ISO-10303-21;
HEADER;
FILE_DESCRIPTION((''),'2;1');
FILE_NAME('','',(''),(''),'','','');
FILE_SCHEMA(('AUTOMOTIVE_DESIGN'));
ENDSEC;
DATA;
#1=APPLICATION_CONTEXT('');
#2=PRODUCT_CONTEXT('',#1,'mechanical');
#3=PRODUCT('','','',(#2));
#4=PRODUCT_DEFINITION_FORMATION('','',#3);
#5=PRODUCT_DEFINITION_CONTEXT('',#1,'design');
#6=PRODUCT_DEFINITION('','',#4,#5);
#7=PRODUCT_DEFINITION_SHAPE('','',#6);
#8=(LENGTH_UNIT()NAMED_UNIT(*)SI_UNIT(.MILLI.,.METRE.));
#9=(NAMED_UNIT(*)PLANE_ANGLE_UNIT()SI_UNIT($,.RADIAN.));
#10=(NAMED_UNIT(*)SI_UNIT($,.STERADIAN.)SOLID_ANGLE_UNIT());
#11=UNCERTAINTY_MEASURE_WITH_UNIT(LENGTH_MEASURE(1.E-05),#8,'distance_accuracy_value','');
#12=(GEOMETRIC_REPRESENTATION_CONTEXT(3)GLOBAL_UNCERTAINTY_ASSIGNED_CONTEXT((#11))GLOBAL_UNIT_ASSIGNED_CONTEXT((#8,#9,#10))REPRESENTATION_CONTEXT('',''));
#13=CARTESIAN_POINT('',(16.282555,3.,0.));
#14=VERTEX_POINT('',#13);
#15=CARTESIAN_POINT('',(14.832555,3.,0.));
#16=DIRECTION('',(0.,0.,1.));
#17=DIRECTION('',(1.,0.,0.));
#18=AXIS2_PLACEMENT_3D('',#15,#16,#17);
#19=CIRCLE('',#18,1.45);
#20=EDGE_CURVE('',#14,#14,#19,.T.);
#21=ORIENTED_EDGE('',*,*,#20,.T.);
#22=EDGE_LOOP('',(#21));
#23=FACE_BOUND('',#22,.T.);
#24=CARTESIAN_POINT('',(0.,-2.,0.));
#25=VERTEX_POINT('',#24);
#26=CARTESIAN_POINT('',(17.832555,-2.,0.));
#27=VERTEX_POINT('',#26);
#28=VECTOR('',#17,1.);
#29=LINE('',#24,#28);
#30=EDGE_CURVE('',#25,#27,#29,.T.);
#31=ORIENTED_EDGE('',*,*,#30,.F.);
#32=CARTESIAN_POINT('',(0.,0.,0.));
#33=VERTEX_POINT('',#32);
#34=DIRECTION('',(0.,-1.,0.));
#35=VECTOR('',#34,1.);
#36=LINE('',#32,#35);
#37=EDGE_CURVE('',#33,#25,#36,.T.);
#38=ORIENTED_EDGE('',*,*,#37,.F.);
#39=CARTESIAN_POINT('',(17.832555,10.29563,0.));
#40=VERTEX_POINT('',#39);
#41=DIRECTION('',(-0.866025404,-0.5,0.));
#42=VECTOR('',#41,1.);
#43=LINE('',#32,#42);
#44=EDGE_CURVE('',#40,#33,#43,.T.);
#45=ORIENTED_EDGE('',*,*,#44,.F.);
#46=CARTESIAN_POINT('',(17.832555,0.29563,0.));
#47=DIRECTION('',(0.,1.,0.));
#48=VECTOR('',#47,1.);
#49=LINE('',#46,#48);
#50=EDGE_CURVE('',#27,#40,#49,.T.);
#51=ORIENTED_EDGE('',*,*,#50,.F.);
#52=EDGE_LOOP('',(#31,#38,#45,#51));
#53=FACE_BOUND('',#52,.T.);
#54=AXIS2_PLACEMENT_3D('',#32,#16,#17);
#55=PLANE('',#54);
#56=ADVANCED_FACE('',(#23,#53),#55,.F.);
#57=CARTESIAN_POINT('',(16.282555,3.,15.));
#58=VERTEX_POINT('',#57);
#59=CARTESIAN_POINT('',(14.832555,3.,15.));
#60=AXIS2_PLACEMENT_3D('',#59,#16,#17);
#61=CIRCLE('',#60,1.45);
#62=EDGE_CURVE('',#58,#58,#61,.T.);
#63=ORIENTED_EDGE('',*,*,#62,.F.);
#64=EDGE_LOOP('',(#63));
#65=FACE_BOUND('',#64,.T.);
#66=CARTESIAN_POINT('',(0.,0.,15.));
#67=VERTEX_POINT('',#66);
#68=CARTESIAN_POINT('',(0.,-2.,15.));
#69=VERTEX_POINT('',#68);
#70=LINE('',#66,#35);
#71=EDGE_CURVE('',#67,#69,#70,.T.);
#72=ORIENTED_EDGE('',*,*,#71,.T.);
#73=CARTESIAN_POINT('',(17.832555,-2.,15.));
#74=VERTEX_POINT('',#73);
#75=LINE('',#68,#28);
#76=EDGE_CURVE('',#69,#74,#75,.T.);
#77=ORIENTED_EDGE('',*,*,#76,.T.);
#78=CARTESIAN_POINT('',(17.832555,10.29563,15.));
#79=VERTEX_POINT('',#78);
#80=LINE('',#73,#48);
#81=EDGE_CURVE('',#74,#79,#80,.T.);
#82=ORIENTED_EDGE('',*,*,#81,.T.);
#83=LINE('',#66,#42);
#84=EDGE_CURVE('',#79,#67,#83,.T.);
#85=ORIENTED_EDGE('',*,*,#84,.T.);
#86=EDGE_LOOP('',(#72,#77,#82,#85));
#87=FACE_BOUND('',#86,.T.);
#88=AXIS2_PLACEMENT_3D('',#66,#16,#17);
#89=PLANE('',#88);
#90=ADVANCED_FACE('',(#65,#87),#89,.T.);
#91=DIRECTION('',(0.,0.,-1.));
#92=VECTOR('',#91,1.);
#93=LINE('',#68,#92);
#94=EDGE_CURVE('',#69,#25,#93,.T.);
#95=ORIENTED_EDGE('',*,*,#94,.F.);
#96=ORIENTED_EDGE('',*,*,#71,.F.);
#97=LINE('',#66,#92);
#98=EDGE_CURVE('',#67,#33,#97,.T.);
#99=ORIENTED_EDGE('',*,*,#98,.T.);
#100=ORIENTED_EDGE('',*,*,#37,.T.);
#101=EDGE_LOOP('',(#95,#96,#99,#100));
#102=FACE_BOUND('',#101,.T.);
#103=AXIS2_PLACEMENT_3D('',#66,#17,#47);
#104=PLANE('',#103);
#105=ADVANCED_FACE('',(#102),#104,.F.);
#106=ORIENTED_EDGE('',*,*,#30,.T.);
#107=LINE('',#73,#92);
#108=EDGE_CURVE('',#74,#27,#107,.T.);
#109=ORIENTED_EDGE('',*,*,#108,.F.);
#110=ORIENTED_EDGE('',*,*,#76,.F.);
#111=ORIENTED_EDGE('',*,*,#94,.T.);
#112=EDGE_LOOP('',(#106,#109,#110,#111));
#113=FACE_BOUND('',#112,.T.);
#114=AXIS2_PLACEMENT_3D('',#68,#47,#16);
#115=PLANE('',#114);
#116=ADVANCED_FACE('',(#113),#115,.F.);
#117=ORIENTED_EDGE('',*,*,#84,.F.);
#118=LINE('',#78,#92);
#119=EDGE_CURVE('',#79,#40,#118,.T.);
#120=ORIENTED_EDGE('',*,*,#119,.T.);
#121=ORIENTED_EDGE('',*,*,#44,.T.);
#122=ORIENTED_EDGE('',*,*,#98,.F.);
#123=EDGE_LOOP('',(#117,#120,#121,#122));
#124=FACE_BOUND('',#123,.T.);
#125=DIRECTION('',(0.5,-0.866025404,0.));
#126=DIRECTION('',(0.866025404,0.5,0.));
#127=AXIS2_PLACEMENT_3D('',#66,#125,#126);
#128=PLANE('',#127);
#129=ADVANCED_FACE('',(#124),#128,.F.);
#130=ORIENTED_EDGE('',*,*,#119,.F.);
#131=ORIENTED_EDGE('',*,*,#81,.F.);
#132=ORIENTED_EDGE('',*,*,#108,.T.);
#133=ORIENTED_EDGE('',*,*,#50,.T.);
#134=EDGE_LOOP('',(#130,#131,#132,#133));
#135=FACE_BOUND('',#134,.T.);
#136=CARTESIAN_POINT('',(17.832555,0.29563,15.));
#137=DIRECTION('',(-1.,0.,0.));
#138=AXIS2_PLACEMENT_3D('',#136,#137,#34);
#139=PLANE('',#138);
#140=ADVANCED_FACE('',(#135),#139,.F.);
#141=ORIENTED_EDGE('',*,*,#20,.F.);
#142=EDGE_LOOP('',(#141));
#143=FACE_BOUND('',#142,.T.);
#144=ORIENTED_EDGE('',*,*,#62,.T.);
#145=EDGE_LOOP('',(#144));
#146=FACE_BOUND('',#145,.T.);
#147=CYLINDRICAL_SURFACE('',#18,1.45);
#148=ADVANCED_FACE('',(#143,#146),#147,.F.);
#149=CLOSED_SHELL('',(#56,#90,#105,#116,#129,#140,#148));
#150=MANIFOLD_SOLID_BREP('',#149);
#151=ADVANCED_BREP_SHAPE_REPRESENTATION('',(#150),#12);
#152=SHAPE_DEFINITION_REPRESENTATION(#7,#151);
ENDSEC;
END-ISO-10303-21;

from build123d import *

# Parameters (mm, degrees)
RESSALTO_EXTRUS_O1_DEPTH   = 15
CORTE_EXTRUS_O1_DEPTH      = 26.475478406
CORTE_EXTRUS_O1_DEPTH_BACK = 26.475478406
ESBO_O2_R                  = 1.45


with BuildPart() as part:
    # Esboço1 → Ressalto-extrusão1 (new body)
    with BuildSketch(Plane.XY):
        Polygon((0, 0), (17.8325545, 10.295630141), (17.8325545, 0.295630141), (17.8325545, -2), (0, -2), align=None)
    extrude(amount=RESSALTO_EXTRUS_O1_DEPTH)

    # Esboço2 → Corte-extrusão1 (cut, two sides: drawn at the far end of the back side and taken through both)
    with BuildSketch(Plane.XY.offset(15).offset(-CORTE_EXTRUS_O1_DEPTH_BACK)):
        with Locations((14.8325545, 3)):
            Circle(ESBO_O2_R)
    extrude(amount=CORTE_EXTRUS_O1_DEPTH + CORTE_EXTRUS_O1_DEPTH_BACK, mode=Mode.SUBTRACT)


solid = part.part
